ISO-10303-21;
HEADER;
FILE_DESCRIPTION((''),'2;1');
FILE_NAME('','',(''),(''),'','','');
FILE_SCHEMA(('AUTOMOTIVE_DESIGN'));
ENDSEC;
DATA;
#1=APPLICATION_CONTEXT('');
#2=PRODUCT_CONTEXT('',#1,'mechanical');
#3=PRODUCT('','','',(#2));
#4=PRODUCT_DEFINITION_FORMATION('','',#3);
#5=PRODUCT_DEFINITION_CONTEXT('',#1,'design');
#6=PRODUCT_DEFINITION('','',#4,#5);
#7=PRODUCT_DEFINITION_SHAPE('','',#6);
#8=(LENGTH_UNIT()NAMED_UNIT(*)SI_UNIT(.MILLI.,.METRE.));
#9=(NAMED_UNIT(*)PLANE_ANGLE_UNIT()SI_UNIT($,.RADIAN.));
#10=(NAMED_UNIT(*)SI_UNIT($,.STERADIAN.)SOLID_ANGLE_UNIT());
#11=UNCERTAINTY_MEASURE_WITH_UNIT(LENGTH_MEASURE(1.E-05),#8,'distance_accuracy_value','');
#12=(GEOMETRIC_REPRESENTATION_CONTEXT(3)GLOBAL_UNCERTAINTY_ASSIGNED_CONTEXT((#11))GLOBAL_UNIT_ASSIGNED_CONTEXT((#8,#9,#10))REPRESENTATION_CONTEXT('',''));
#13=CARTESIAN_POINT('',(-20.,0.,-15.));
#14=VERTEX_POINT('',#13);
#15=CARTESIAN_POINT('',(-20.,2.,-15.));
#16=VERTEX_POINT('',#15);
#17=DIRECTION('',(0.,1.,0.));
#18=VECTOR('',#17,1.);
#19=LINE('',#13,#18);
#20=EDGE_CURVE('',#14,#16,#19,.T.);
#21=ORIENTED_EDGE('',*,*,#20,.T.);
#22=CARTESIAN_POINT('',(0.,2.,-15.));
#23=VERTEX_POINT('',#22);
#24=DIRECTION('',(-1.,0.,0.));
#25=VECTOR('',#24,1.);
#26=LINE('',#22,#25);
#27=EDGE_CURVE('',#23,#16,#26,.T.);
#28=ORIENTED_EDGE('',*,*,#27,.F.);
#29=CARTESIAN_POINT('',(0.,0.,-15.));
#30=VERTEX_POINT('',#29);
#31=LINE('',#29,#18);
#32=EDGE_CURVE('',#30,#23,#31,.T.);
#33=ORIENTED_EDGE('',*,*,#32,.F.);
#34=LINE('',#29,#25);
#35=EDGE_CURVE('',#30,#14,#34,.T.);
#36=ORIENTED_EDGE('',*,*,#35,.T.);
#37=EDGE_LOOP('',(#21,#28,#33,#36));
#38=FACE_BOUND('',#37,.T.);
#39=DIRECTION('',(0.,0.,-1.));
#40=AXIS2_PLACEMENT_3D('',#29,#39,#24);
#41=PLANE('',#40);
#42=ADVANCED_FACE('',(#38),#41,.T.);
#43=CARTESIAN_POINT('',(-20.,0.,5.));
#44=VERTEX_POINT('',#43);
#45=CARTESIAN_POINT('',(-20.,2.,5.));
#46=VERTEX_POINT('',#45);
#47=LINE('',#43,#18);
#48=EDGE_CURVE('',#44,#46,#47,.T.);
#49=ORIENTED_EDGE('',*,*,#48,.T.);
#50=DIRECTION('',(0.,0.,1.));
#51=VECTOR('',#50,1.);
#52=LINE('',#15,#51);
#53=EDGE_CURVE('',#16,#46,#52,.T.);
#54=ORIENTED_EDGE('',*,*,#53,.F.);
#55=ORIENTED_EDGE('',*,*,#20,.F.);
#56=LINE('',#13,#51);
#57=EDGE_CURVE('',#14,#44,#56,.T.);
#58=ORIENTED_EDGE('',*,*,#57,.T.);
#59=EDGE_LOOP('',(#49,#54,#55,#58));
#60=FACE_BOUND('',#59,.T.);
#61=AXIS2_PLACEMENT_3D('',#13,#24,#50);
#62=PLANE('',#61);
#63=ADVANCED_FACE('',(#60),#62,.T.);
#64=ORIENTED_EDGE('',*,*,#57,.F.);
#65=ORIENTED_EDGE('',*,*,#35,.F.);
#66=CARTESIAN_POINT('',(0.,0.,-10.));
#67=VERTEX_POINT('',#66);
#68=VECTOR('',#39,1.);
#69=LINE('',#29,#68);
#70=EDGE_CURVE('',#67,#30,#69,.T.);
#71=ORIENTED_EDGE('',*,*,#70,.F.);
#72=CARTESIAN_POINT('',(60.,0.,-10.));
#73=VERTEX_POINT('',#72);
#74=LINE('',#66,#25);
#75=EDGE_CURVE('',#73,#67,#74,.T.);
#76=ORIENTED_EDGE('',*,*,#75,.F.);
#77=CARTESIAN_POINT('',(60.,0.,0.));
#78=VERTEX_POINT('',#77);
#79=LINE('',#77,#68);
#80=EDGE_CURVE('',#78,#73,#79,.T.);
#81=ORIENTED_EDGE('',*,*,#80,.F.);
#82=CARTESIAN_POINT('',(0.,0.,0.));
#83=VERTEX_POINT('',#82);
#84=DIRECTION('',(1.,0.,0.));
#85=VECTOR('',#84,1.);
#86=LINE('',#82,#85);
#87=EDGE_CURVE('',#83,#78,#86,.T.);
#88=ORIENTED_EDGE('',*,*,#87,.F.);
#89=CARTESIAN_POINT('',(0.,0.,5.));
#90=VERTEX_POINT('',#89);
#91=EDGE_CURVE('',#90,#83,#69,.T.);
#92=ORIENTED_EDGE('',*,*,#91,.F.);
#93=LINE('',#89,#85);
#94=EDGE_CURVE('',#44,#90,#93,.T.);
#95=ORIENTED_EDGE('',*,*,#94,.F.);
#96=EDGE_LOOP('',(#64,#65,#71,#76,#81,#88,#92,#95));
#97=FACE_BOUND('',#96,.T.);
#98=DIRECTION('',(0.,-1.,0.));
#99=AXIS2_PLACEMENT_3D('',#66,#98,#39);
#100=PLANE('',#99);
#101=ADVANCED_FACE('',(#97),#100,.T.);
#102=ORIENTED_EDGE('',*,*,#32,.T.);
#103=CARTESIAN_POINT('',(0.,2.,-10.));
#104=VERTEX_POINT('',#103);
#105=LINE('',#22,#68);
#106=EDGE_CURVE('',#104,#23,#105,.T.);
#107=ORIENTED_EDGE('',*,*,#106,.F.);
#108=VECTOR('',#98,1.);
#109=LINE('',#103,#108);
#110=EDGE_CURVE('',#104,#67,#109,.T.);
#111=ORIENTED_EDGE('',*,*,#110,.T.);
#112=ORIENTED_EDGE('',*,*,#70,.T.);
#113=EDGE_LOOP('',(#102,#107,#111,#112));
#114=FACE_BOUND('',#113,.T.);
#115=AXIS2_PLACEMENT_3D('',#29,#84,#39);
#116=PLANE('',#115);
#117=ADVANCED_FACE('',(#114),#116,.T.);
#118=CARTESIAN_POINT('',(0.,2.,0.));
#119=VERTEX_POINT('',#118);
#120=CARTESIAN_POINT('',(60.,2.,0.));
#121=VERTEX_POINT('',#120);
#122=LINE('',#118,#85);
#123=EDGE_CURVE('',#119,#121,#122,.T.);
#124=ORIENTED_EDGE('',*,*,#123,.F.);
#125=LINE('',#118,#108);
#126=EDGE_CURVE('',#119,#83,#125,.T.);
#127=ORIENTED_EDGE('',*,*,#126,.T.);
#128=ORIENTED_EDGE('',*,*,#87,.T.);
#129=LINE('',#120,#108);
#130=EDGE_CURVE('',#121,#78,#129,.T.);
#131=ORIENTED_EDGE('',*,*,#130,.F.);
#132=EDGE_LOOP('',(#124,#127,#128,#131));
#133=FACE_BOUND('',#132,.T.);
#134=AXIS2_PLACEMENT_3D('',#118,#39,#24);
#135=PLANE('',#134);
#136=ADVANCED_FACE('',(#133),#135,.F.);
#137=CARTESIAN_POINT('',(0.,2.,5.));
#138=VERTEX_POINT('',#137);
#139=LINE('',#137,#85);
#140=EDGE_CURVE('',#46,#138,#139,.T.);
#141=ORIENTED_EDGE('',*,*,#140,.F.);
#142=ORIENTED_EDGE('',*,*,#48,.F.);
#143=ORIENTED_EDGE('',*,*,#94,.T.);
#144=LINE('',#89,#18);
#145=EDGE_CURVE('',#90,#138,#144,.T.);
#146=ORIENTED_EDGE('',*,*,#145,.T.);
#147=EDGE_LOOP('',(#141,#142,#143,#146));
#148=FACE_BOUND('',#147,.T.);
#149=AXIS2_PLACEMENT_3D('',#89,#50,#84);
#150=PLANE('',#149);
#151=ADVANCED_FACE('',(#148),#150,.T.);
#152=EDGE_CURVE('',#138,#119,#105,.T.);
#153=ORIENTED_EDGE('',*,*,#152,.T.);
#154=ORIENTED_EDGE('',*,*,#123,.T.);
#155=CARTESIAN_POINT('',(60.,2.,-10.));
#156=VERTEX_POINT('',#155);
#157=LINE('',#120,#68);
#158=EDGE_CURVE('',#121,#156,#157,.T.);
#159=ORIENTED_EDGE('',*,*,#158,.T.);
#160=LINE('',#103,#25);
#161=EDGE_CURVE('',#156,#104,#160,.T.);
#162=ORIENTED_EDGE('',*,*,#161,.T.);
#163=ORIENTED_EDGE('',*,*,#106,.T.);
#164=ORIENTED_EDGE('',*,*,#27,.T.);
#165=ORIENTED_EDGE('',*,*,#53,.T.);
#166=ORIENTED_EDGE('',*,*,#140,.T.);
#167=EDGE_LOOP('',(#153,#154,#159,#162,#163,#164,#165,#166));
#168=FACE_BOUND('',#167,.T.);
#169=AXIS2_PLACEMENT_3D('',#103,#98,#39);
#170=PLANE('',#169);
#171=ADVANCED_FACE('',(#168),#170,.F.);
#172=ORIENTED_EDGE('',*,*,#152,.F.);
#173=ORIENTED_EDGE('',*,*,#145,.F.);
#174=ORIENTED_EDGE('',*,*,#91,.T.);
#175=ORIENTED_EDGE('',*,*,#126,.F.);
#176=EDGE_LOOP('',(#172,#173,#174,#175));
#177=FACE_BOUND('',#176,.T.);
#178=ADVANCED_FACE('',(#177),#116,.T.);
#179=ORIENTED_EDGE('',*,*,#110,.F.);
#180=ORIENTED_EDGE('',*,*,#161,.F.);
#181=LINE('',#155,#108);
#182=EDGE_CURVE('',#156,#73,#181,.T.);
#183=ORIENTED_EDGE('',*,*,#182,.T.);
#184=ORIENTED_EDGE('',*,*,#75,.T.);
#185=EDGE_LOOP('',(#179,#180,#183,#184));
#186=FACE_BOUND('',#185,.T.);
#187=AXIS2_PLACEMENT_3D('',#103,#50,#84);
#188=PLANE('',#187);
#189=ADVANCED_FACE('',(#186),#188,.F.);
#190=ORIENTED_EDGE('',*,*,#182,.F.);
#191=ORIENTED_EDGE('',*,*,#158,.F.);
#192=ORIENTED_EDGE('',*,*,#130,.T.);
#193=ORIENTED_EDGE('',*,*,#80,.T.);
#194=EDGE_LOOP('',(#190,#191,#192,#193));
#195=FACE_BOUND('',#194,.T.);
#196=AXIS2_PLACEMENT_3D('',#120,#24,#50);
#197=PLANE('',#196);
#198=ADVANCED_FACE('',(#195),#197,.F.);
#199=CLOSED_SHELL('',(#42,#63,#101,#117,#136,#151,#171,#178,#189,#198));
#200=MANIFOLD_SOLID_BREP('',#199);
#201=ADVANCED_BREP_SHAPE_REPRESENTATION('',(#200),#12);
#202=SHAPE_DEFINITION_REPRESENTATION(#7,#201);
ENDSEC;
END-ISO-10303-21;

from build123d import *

# Parameters (mm, degrees)
SKETCH1_W      = 60
SKETCH1_H      = 10
EXTRUDE1_DEPTH = 2
SKETCH2_W      = 20
SKETCH2_H      = 20
EXTRUDE2_DEPTH = 2


with BuildPart() as part:
    # Sketch1 → Extrude1 (new body)
    with BuildSketch(Plane(origin=(0, 0, 0), x_dir=(1, 0, 0), z_dir=(0, 1, 0))):
        with Locations((30, 5)):
            Rectangle(SKETCH1_W, SKETCH1_H)
    extrude(amount=EXTRUDE1_DEPTH)

    # Sketch2 → Extrude2 (add)
    with BuildSketch(Plane(origin=(0, 2, 0), x_dir=(-1, 0, 0), z_dir=(0, 1, 0))):
        with Locations((10, -5)):
            Rectangle(SKETCH2_W, SKETCH2_H)
    extrude(amount=-EXTRUDE2_DEPTH)


solid = part.part
